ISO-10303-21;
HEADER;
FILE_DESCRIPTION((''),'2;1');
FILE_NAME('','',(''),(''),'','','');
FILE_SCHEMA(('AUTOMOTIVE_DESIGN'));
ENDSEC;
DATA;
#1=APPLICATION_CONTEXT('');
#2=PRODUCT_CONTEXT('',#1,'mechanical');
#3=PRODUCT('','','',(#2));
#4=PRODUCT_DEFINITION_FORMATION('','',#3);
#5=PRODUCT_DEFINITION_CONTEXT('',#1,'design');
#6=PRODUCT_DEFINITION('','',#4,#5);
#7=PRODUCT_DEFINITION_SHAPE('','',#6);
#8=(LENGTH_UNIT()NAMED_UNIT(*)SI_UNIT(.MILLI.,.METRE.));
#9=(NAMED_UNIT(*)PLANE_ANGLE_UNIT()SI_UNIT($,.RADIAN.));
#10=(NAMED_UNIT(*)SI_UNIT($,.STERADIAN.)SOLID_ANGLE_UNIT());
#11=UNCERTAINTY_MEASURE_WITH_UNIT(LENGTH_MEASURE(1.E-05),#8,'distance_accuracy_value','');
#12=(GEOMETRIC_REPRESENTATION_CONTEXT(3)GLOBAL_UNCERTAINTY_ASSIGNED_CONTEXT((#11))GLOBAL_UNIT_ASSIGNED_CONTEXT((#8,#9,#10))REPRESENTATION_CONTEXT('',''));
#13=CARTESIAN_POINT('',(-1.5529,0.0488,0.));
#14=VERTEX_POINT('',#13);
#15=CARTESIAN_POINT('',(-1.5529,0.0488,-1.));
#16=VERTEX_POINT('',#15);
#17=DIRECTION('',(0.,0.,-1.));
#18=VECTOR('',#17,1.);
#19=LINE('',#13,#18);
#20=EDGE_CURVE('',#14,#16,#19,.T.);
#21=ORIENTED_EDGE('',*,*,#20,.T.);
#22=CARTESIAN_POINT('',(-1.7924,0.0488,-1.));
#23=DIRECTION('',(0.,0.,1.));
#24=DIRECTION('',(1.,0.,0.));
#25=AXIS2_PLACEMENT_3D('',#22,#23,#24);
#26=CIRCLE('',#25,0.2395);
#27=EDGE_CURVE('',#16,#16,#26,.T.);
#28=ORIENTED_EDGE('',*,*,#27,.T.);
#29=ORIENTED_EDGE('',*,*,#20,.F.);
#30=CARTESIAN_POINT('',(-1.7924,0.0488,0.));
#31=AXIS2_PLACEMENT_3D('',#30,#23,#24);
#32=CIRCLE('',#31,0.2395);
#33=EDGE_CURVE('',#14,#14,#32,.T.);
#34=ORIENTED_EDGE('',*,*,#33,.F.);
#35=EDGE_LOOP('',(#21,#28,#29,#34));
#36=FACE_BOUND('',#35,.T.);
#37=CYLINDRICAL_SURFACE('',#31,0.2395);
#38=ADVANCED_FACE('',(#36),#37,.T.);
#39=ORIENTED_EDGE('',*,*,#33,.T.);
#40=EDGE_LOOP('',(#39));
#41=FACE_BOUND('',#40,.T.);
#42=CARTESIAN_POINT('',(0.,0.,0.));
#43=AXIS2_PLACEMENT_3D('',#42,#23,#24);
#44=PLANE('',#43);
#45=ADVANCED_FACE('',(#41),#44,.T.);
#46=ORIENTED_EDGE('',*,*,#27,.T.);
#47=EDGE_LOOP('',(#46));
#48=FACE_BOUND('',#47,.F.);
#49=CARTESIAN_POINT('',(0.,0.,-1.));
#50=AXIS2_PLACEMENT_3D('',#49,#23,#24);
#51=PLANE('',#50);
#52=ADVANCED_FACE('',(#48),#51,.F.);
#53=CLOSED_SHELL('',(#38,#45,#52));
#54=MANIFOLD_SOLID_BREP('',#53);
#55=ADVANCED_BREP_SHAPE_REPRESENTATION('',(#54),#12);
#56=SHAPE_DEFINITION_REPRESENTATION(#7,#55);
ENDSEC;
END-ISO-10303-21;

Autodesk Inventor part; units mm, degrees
ref_plane "YZ Plane" through (0, 0, 0) normal (1, 0, 0) x (0, 1, 0)
ref_plane "XZ Plane" through (0, 0, 0) normal (0, 1, 0) x (-1, 0, 0)
ref_plane "XY Plane" through (0, 0, 0) normal (0, 0, 1) x (1, 0, 0)
sketch "Sketch1" plane through (0, 0, 0) normal (0, 0, 1) x (1, 0, 0)
  line L0 (-0.1424, -0.3512) -> (-0.1424, 0.4488) construction
  line L1 (-0.1424, 0.4488) -> (-3.4424, 0.4488) construction
  line L2 (-3.4424, 0.4488) -> (-3.4424, -0.3512) construction
  line L3 (-3.4424, -0.3512) -> (-0.1424, -0.3512) construction
  circle A0 centre (-1.7924, 0.0488) radius 0.2395
  point P0 (0, 0)
extrude "Extrusion1" add sketch "Sketch1" against normal blind 1
properties part number "pin"
